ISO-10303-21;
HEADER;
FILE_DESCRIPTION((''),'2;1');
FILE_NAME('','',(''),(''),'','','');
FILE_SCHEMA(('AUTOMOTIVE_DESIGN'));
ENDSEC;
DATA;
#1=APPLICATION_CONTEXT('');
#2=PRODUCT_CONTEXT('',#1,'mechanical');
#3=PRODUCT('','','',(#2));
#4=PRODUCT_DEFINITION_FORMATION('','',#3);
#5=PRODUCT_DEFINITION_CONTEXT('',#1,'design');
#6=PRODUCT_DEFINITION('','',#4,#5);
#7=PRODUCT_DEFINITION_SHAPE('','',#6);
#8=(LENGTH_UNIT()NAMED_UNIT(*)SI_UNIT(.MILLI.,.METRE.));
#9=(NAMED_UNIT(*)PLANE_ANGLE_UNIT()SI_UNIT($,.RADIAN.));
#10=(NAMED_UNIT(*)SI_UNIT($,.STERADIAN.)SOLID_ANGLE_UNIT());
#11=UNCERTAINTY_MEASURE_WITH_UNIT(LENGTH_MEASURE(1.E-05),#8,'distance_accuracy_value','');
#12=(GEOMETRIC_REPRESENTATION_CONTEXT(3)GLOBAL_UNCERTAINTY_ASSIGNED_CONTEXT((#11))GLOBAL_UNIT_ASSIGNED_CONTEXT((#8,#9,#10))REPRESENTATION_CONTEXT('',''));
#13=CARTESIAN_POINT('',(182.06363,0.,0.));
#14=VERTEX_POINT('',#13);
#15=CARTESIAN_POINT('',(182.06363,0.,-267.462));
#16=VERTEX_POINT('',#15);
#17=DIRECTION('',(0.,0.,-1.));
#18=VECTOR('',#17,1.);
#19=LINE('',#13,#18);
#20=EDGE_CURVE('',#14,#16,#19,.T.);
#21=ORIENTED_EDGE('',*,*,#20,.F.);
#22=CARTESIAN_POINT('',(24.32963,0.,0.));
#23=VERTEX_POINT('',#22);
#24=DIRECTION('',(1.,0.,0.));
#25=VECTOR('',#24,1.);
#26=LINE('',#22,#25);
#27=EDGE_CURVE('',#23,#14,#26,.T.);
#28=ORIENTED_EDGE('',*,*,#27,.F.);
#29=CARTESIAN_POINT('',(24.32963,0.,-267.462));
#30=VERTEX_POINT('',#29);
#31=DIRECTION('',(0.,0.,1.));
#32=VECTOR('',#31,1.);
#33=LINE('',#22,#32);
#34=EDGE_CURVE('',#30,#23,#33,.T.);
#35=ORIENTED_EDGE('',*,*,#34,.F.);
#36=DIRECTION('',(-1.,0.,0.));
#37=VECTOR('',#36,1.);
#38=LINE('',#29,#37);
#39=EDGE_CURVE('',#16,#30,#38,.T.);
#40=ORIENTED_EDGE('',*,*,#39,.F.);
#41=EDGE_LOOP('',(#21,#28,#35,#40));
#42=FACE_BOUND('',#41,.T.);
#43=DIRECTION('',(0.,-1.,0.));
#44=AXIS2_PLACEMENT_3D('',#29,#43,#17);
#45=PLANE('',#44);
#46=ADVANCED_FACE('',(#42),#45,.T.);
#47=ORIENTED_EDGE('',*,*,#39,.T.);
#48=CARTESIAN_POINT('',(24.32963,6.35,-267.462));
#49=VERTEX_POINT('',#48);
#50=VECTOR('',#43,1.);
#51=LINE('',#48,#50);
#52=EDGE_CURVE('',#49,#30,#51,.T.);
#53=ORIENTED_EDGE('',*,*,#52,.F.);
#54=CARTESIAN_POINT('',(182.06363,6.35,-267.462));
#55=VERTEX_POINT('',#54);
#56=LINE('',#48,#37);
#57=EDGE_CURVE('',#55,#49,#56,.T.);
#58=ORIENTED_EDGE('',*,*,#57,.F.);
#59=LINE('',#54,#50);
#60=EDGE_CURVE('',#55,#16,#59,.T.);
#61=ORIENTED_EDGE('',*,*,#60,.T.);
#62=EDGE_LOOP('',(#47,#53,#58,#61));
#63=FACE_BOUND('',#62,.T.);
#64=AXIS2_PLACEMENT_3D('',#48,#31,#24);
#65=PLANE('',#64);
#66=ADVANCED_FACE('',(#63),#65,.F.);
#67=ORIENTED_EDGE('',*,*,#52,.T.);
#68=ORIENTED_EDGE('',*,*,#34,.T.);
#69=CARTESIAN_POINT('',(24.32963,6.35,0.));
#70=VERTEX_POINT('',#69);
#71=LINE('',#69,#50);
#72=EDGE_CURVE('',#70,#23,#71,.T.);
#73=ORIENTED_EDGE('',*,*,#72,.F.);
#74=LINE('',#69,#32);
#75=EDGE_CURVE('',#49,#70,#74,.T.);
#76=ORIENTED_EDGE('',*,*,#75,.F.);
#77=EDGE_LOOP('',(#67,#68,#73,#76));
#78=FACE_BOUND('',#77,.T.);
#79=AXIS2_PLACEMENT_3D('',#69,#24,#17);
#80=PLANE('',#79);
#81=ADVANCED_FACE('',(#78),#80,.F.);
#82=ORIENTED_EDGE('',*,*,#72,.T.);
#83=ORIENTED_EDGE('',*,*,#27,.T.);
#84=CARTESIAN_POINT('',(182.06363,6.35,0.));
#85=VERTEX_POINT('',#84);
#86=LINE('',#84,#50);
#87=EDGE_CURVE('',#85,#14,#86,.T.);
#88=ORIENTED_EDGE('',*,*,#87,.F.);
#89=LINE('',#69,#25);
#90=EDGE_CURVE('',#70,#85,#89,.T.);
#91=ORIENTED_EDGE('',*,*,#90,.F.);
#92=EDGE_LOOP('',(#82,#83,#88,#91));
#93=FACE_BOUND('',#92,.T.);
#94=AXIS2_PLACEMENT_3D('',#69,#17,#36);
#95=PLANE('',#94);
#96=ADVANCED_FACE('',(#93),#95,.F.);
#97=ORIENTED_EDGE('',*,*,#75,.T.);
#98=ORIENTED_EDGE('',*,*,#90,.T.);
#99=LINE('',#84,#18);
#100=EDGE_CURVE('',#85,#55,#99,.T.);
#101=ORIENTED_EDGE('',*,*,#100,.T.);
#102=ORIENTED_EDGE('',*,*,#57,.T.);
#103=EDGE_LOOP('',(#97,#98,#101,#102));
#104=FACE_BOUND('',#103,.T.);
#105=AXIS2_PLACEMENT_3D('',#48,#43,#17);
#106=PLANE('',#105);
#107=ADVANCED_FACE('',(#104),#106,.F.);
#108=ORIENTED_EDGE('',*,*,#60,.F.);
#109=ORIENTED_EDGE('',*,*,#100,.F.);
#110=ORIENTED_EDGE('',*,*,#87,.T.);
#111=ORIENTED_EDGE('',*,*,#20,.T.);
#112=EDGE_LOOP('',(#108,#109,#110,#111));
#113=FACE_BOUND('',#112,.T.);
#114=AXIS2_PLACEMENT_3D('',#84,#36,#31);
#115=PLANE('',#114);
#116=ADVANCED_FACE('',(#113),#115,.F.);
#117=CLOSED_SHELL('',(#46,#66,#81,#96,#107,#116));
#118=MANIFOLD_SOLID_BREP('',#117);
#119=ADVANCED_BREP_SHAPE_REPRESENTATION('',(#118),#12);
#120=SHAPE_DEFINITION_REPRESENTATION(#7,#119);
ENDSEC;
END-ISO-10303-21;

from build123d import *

# Parameters (mm, degrees)
SKETCH1_W      = 157.734
SKETCH1_H      = 267.462
EXTRUDE1_DEPTH = 6.35


with BuildPart() as part:
    # Sketch1 → Extrude1 (new body)
    with BuildSketch(Plane(origin=(0, 0, 0), x_dir=(1, 0, 0), z_dir=(0, 1, 0))):
        with Locations((103.196630383, 133.731)):
            Rectangle(SKETCH1_W, SKETCH1_H)
    extrude(amount=EXTRUDE1_DEPTH)


solid = part.part
